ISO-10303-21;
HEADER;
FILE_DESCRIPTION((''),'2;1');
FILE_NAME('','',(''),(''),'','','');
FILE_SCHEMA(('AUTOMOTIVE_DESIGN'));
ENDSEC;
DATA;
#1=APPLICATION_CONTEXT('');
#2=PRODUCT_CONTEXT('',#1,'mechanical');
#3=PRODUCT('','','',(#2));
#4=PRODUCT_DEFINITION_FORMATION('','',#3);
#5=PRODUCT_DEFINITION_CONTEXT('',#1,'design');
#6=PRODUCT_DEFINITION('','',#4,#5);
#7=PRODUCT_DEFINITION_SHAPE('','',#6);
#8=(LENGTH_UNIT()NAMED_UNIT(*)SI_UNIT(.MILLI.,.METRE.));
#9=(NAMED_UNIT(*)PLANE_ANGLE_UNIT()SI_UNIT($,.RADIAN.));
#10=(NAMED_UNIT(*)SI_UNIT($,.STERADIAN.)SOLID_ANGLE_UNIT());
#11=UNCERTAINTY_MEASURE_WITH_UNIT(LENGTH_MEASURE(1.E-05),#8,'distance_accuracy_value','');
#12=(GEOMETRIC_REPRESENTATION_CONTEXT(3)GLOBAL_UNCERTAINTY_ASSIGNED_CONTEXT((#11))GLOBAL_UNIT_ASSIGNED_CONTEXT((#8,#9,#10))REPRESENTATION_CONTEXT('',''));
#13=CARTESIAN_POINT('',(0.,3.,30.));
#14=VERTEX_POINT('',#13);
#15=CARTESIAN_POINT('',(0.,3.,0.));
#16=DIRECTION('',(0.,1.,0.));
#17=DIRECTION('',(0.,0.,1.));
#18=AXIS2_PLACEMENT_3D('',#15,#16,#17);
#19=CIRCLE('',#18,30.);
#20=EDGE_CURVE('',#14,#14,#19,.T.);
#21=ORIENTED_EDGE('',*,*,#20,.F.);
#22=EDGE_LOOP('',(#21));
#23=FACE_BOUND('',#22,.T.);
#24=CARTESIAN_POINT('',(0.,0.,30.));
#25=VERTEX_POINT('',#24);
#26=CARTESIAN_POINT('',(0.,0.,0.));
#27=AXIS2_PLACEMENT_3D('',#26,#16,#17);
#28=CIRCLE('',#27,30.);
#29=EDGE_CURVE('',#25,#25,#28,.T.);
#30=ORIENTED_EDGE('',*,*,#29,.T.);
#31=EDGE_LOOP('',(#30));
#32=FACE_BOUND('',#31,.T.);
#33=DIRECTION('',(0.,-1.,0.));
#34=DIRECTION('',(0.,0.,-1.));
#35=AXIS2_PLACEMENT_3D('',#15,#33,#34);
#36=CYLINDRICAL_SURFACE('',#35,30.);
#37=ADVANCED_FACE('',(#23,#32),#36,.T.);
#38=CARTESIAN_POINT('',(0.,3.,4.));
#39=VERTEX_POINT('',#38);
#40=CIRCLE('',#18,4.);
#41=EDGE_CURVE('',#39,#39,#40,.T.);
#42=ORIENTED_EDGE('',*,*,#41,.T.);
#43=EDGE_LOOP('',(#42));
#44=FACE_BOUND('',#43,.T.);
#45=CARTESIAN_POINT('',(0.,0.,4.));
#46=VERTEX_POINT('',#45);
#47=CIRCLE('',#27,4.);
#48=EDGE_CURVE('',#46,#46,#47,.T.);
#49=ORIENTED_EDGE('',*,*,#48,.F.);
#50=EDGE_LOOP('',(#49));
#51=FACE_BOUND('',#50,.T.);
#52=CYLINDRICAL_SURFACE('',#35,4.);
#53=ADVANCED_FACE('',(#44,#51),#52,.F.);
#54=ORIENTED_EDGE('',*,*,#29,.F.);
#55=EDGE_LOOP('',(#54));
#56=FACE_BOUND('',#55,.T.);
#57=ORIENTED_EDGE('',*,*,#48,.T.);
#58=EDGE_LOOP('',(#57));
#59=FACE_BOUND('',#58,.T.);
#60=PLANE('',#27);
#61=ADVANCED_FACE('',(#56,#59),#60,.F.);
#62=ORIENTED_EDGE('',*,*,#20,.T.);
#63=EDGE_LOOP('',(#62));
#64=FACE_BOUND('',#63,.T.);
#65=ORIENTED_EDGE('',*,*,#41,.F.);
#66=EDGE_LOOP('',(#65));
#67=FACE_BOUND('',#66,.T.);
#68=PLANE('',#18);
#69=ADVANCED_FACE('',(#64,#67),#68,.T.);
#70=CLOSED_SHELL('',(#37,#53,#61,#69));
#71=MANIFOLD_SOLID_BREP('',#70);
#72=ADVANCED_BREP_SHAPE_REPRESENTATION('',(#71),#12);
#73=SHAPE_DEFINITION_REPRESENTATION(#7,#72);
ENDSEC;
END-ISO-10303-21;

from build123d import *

# Parameters (mm, degrees)
ESQUISSE1_R        = 30
ESQUISSE1_R_2      = 4
BOSS_EXTRU_1_DEPTH = 3


with BuildPart() as part:
    # Esquisse1 → Boss.-Extru.1 (new body)
    with BuildSketch(Plane(origin=(0, 0, 0), x_dir=(1, 0, 0), z_dir=(0, 1, 0))):
        with Locations(Location((0, 0, 0), (0, 0, 270))):
            Circle(ESQUISSE1_R)
        with Locations(Location((0, 0, 0), (0, 0, 270))):
            Circle(ESQUISSE1_R_2, mode=Mode.SUBTRACT)
    extrude(amount=BOSS_EXTRU_1_DEPTH)


solid = part.part
